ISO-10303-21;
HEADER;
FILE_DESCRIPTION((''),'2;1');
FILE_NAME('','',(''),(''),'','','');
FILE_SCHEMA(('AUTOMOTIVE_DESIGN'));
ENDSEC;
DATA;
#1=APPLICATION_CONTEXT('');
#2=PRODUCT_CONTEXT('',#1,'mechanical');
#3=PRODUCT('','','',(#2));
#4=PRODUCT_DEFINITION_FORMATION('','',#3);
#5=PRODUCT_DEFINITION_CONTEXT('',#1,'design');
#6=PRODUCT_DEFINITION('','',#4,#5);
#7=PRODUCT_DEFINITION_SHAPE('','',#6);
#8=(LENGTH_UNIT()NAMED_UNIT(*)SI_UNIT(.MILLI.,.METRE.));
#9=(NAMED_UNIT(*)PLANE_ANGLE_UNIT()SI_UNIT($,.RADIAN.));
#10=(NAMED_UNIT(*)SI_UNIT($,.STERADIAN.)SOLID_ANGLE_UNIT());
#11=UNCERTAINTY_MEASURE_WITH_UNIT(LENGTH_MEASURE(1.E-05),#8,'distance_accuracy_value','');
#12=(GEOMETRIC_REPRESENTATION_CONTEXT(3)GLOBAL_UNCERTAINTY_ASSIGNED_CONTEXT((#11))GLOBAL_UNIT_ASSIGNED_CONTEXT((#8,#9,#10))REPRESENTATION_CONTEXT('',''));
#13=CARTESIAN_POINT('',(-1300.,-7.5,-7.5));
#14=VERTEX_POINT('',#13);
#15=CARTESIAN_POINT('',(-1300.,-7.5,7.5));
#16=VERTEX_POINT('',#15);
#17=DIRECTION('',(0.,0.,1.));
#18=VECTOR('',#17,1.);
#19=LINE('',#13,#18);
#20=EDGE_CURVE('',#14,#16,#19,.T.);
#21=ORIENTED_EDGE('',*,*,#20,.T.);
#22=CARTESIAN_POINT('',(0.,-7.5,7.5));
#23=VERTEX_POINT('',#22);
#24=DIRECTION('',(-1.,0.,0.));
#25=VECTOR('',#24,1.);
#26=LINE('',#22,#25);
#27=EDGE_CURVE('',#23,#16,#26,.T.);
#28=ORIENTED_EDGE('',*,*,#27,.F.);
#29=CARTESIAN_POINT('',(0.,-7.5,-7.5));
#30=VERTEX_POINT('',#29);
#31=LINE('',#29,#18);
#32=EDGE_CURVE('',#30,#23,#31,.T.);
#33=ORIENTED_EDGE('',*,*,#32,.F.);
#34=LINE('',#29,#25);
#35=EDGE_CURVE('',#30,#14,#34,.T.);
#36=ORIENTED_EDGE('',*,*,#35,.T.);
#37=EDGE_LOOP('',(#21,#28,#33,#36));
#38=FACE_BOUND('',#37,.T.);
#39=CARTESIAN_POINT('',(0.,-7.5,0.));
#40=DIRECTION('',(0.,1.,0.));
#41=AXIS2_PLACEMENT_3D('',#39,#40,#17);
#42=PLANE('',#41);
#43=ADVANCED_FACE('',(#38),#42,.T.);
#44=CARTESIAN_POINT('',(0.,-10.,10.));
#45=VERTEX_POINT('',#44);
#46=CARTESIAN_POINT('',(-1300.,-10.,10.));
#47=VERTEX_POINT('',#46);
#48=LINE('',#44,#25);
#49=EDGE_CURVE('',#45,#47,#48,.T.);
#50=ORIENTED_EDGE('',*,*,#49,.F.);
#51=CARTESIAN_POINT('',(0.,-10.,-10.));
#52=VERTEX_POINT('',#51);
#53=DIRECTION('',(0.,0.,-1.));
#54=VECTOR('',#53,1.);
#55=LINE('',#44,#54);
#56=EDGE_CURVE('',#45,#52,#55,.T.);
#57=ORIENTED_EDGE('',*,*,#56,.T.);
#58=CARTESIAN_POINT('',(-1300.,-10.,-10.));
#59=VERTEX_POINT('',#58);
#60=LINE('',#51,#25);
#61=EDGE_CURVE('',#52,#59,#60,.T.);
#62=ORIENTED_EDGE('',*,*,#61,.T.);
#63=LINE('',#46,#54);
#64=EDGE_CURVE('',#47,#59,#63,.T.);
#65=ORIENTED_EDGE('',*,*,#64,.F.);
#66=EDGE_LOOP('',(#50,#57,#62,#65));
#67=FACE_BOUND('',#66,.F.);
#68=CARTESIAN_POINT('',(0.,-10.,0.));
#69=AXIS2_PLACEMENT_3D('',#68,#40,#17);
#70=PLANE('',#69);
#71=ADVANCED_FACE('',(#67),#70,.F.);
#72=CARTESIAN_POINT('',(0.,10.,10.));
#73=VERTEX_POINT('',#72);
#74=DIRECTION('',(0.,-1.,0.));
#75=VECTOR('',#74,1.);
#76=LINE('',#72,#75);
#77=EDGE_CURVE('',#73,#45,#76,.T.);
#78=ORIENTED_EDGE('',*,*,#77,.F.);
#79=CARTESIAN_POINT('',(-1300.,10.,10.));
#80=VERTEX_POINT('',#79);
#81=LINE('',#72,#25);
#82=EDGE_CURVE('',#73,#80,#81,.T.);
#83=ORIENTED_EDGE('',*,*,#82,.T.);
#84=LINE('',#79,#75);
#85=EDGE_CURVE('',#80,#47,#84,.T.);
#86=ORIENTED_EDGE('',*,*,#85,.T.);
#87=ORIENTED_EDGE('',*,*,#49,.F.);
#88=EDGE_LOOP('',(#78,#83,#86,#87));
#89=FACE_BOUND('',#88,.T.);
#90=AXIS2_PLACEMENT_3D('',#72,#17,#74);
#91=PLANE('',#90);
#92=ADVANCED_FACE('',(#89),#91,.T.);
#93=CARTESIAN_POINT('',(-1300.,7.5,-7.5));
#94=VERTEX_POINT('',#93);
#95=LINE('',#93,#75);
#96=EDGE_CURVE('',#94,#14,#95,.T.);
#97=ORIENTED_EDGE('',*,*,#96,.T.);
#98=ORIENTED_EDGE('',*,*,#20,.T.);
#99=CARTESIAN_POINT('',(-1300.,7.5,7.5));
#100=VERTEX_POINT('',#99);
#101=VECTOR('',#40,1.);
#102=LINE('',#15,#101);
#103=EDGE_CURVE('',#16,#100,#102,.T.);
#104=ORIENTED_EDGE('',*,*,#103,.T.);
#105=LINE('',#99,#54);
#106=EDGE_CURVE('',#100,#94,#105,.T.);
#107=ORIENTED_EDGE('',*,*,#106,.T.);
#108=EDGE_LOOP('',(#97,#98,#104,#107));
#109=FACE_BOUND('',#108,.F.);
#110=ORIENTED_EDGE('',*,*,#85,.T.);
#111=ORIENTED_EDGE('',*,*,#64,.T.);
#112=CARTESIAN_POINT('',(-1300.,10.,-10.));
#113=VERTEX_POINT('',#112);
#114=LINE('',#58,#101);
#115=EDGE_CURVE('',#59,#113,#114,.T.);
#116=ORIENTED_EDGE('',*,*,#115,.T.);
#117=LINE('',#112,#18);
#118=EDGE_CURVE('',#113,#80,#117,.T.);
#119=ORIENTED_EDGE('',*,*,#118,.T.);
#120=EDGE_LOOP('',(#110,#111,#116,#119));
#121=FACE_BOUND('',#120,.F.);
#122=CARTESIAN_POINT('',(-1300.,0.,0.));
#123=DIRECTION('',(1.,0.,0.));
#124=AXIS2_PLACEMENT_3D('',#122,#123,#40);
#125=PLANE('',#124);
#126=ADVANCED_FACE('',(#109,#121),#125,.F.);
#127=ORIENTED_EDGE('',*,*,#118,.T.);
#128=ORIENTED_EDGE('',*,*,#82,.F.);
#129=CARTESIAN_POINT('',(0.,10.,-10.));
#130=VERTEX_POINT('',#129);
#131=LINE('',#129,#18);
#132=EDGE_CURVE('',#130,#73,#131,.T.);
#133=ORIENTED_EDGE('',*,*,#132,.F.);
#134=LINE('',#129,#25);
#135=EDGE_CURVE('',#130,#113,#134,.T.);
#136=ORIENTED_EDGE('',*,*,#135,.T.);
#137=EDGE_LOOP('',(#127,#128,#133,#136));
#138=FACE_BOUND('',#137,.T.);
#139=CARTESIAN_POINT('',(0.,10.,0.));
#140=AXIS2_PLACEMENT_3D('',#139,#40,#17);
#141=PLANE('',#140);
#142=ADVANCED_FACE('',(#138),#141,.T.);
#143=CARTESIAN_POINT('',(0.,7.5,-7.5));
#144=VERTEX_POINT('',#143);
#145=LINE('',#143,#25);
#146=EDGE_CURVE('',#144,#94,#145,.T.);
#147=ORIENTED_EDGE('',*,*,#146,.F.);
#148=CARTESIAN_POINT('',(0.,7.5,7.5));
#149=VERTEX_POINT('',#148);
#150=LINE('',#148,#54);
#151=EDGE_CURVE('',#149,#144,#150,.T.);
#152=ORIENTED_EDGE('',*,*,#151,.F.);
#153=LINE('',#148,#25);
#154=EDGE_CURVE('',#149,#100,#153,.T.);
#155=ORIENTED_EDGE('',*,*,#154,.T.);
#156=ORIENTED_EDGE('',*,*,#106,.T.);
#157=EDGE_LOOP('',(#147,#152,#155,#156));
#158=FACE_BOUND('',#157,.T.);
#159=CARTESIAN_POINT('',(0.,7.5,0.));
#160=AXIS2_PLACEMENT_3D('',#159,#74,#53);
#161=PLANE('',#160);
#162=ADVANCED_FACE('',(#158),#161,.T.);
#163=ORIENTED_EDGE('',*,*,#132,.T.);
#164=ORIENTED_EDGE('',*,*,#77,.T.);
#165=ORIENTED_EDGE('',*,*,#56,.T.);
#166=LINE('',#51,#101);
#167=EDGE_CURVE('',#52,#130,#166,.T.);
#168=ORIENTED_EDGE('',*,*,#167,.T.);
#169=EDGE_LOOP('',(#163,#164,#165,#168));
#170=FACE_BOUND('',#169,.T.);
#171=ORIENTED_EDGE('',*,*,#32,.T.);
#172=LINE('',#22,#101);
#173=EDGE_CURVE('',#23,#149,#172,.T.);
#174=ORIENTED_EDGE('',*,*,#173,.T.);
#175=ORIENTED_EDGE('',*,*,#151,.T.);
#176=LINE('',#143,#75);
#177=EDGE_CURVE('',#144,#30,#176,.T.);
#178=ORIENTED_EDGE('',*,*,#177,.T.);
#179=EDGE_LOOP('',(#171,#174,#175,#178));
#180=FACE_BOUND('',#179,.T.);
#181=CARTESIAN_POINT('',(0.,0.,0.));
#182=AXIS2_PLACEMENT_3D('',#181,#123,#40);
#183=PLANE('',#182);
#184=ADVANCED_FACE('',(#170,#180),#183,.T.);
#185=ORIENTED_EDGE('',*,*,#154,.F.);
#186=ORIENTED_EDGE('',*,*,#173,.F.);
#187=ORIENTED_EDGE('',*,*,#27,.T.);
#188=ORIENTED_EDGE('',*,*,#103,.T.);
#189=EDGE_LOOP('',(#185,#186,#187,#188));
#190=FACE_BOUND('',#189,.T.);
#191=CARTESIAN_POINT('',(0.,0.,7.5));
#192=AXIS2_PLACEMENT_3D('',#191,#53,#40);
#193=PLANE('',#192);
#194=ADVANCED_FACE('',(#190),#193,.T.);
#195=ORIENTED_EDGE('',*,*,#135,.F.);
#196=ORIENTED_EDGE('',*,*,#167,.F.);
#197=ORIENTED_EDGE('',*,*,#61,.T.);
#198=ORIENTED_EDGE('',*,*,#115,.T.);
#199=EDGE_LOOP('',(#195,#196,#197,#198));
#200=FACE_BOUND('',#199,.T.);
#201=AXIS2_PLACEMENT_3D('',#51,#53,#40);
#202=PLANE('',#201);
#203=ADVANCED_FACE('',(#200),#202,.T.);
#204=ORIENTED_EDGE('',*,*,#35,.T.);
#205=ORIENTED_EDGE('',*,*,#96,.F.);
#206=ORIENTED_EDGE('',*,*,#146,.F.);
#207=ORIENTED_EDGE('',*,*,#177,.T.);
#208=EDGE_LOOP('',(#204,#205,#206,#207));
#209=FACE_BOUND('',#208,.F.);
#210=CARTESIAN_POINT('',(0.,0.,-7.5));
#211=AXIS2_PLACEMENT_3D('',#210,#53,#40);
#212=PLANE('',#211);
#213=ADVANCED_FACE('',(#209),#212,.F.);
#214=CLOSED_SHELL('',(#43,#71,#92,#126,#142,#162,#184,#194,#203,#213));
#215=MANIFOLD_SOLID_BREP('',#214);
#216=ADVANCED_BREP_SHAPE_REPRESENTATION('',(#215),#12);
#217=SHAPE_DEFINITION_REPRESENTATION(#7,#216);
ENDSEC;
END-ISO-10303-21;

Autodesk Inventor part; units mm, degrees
ref_plane "YZ Plane" through (0, 0, 0) normal (1, 0, 0) x (0, 1, 0)
ref_plane "XZ Plane" through (0, 0, 0) normal (0, 1, 0) x (-1, 0, 0)
ref_plane "XY Plane" through (0, 0, 0) normal (0, 0, 1) x (1, 0, 0)
sketch "Sketch1" plane through (0, 0, 0) normal (1, 0, 0) x (0, 1, 0)
  circle A0 centre (0, 0) radius 10
  dimension "d0" = 20
extrude "Extrusion1" add sketch "Sketch1" against normal blind 1300
sketch "Sketch2" plane through (0, 0, 0) normal (1, 0, 0) x (0, 0, -1)
  circle A0 centre (0, 0) radius 10 projected
  circle A1 centre (0, 0) radius 7.5
  dimension "d5" = 15
extrude "Extrusion2" cut sketch "Sketch2" against normal blind 1300 contours A1
sketch "Sketch4" plane through (0, 0, 0) normal (1, 0, 0) x (0, 0, -1)
  circle A0 centre (0, 0) radius 10 projected
  line L0 (0, -10) -> (10, -10)
  line L1 (10, -10) -> (10, 0)
  line L2 (10, 10) -> (-10, 10)
  line L3 (-10, 10) -> (-10, 0)
  line L4 (10, 0) -> (10, 10)
  line L5 (-10, 0) -> (-10, -10)
  line L6 (0, -10) -> (-10, -10)
extrude "Extrusion3" add sketch "Sketch4" against normal blind 1300 contours L3 L2 A0 | A0 L6 L5 | A0 L1 L0 | L2 L4 A0
sketch "Sketch5" plane through (0, 0, 0) normal (1, 0, 0) x (0, 0, -1)
  circle A0 centre (0, 0) radius 7.5 projected
  line L0 (7.5, 0) -> (7.5, -7.5)
  line L1 (7.5, -7.5) -> (0, -7.5)
  line L2 (0, -7.5) -> (-7.5, -7.5)
  line L3 (-10, -10) -> (10, -10) projected
  line L4 (-7.5, 0) -> (-7.5, -7.5)
  line L5 (-7.5, 0) -> (-7.5, 7.5)
  line L6 (0, 7.5) -> (-7.5, 7.5)
  line L7 (0, 7.5) -> (7.5, 7.5)
  line L8 (7.5, 0) -> (7.5, 7.5)
extrude "Extrusion4" cut sketch "Sketch5" against normal blind 1300 contours L0 L1 A0 | A0 L7 L8 | A0 L5 L6 | L2 L4 A0
properties part number "rail"
